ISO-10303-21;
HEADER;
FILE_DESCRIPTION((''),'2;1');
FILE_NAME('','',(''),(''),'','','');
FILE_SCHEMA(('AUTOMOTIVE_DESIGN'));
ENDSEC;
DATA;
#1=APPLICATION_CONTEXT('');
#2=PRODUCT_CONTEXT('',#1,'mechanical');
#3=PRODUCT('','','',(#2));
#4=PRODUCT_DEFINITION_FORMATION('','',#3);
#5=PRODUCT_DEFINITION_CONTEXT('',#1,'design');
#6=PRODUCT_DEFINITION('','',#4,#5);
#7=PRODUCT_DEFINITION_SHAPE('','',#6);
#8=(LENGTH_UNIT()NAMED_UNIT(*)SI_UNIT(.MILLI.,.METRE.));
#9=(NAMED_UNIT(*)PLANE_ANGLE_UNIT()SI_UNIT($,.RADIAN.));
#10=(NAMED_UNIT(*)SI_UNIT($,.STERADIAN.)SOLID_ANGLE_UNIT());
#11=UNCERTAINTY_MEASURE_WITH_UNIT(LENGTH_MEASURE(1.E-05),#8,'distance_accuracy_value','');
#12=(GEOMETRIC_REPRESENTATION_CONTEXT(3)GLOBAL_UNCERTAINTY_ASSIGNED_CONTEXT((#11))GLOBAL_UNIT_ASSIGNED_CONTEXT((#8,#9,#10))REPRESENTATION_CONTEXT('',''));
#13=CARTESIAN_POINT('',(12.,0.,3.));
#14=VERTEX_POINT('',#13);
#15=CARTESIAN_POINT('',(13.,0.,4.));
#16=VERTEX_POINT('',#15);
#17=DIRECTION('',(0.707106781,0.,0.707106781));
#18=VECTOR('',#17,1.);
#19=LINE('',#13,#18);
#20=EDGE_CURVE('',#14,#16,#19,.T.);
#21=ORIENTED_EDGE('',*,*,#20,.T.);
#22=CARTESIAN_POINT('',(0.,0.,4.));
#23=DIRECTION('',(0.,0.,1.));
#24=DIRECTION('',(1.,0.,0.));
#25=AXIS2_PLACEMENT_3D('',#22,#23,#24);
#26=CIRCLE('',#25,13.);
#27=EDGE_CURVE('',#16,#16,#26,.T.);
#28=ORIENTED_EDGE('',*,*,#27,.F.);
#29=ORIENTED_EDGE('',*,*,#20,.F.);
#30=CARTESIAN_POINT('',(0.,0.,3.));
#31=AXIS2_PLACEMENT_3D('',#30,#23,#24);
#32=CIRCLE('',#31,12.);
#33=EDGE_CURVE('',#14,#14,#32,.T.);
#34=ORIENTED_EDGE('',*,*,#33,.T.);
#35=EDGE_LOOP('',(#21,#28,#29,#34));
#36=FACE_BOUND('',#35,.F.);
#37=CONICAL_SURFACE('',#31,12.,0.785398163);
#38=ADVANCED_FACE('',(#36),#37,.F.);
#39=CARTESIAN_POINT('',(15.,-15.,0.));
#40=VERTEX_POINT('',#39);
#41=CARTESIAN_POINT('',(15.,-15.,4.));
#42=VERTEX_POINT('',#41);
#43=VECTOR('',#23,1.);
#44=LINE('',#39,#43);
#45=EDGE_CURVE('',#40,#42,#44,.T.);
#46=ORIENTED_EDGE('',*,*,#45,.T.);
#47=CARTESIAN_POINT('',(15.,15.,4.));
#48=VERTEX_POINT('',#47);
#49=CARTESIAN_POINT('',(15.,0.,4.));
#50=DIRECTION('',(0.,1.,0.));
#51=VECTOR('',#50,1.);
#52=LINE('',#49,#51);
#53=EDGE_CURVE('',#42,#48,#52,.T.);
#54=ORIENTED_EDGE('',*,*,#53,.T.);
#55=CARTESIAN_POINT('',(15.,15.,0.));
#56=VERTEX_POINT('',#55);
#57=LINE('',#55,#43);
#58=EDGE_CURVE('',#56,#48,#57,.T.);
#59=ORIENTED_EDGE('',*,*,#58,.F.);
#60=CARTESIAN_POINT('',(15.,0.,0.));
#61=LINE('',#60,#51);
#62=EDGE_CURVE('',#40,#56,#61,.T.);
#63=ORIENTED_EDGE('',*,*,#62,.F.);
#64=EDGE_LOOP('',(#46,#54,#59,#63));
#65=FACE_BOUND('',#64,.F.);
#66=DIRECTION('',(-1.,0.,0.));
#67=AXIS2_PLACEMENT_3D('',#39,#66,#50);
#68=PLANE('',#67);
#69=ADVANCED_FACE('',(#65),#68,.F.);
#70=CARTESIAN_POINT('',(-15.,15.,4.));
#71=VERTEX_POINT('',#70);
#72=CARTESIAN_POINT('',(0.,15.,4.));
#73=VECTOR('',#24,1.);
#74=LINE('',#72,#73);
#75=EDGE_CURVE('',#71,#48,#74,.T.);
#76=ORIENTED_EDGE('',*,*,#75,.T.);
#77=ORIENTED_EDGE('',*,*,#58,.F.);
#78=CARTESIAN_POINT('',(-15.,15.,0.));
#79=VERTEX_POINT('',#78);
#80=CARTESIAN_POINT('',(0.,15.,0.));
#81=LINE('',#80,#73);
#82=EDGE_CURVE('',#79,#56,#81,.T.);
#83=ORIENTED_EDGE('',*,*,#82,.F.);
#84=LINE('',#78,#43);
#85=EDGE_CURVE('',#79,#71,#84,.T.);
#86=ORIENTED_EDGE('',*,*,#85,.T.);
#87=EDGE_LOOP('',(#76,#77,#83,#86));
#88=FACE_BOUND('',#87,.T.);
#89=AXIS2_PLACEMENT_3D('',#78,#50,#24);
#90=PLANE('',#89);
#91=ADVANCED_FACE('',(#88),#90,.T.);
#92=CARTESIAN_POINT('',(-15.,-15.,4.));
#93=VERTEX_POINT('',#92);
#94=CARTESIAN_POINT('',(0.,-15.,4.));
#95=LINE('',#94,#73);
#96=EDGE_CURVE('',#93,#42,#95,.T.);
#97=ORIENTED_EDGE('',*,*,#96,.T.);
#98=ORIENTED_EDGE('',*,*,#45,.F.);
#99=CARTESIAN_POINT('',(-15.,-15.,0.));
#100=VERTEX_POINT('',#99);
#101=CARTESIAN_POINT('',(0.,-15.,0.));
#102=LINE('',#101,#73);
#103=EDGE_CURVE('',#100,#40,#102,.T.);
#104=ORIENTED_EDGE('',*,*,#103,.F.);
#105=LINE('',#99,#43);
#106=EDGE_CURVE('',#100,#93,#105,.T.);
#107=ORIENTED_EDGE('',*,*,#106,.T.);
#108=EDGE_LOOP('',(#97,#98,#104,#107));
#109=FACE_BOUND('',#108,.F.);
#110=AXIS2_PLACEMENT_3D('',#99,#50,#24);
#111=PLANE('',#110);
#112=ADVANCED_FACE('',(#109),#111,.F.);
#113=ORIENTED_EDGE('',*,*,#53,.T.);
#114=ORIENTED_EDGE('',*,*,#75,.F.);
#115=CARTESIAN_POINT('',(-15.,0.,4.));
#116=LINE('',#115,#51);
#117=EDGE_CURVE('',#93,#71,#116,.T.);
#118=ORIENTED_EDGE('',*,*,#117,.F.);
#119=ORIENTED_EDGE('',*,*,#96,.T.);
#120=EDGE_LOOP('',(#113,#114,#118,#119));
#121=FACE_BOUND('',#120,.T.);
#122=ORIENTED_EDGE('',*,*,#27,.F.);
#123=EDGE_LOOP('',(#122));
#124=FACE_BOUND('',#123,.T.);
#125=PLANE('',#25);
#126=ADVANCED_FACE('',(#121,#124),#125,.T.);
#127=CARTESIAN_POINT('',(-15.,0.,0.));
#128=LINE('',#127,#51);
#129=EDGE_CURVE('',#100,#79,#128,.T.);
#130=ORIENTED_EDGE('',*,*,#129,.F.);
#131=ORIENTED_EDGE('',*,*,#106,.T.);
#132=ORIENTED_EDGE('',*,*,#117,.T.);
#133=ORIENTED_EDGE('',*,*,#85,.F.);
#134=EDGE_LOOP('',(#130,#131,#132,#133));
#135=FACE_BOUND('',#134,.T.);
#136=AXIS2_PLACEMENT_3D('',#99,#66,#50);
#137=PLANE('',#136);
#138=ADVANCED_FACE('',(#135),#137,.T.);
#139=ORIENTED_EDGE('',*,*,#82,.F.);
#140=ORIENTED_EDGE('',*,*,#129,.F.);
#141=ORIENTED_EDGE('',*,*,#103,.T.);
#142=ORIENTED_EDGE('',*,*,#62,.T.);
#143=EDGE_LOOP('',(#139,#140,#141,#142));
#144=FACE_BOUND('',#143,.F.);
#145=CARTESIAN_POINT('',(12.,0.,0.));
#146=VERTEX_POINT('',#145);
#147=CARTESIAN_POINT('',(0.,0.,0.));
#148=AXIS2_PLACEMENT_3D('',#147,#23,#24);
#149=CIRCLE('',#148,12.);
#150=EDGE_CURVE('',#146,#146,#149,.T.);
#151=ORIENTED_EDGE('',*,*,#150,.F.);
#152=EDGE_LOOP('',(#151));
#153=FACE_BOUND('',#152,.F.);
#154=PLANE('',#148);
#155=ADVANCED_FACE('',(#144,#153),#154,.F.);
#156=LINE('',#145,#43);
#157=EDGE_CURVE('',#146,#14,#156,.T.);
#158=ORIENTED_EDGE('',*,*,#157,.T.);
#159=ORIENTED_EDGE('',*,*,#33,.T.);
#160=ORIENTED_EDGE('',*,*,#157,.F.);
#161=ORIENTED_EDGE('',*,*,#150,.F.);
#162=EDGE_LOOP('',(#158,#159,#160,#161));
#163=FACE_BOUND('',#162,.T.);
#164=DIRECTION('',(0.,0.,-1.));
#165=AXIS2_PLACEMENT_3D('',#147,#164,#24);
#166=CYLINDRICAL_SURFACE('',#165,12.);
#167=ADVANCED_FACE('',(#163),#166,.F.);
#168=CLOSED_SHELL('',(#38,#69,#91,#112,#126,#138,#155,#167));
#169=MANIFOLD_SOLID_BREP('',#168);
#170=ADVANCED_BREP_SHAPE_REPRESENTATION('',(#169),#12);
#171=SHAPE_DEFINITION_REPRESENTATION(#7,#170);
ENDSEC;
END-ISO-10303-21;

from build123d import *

# Parameters (mm, degrees)
F0_W     = 30
F0_H     = 30
F0_R     = 12
F1_DEPTH = 4
F2_SIZE  = 1


with BuildPart() as f1:
    # F0 (on Top) → F1 (new body)
    with BuildSketch(Plane.XY):
        Rectangle(F0_W, F0_H)
        Circle(F0_R, mode=Mode.SUBTRACT)
    extrude(amount=F1_DEPTH)

    # F2
    f2_edges = [f1.edges().sort_by_distance(p)[0] for p in [
        (-12, 0, 4),
    ]]
    chamfer(f2_edges, length=F2_SIZE)


solid = f1.part
